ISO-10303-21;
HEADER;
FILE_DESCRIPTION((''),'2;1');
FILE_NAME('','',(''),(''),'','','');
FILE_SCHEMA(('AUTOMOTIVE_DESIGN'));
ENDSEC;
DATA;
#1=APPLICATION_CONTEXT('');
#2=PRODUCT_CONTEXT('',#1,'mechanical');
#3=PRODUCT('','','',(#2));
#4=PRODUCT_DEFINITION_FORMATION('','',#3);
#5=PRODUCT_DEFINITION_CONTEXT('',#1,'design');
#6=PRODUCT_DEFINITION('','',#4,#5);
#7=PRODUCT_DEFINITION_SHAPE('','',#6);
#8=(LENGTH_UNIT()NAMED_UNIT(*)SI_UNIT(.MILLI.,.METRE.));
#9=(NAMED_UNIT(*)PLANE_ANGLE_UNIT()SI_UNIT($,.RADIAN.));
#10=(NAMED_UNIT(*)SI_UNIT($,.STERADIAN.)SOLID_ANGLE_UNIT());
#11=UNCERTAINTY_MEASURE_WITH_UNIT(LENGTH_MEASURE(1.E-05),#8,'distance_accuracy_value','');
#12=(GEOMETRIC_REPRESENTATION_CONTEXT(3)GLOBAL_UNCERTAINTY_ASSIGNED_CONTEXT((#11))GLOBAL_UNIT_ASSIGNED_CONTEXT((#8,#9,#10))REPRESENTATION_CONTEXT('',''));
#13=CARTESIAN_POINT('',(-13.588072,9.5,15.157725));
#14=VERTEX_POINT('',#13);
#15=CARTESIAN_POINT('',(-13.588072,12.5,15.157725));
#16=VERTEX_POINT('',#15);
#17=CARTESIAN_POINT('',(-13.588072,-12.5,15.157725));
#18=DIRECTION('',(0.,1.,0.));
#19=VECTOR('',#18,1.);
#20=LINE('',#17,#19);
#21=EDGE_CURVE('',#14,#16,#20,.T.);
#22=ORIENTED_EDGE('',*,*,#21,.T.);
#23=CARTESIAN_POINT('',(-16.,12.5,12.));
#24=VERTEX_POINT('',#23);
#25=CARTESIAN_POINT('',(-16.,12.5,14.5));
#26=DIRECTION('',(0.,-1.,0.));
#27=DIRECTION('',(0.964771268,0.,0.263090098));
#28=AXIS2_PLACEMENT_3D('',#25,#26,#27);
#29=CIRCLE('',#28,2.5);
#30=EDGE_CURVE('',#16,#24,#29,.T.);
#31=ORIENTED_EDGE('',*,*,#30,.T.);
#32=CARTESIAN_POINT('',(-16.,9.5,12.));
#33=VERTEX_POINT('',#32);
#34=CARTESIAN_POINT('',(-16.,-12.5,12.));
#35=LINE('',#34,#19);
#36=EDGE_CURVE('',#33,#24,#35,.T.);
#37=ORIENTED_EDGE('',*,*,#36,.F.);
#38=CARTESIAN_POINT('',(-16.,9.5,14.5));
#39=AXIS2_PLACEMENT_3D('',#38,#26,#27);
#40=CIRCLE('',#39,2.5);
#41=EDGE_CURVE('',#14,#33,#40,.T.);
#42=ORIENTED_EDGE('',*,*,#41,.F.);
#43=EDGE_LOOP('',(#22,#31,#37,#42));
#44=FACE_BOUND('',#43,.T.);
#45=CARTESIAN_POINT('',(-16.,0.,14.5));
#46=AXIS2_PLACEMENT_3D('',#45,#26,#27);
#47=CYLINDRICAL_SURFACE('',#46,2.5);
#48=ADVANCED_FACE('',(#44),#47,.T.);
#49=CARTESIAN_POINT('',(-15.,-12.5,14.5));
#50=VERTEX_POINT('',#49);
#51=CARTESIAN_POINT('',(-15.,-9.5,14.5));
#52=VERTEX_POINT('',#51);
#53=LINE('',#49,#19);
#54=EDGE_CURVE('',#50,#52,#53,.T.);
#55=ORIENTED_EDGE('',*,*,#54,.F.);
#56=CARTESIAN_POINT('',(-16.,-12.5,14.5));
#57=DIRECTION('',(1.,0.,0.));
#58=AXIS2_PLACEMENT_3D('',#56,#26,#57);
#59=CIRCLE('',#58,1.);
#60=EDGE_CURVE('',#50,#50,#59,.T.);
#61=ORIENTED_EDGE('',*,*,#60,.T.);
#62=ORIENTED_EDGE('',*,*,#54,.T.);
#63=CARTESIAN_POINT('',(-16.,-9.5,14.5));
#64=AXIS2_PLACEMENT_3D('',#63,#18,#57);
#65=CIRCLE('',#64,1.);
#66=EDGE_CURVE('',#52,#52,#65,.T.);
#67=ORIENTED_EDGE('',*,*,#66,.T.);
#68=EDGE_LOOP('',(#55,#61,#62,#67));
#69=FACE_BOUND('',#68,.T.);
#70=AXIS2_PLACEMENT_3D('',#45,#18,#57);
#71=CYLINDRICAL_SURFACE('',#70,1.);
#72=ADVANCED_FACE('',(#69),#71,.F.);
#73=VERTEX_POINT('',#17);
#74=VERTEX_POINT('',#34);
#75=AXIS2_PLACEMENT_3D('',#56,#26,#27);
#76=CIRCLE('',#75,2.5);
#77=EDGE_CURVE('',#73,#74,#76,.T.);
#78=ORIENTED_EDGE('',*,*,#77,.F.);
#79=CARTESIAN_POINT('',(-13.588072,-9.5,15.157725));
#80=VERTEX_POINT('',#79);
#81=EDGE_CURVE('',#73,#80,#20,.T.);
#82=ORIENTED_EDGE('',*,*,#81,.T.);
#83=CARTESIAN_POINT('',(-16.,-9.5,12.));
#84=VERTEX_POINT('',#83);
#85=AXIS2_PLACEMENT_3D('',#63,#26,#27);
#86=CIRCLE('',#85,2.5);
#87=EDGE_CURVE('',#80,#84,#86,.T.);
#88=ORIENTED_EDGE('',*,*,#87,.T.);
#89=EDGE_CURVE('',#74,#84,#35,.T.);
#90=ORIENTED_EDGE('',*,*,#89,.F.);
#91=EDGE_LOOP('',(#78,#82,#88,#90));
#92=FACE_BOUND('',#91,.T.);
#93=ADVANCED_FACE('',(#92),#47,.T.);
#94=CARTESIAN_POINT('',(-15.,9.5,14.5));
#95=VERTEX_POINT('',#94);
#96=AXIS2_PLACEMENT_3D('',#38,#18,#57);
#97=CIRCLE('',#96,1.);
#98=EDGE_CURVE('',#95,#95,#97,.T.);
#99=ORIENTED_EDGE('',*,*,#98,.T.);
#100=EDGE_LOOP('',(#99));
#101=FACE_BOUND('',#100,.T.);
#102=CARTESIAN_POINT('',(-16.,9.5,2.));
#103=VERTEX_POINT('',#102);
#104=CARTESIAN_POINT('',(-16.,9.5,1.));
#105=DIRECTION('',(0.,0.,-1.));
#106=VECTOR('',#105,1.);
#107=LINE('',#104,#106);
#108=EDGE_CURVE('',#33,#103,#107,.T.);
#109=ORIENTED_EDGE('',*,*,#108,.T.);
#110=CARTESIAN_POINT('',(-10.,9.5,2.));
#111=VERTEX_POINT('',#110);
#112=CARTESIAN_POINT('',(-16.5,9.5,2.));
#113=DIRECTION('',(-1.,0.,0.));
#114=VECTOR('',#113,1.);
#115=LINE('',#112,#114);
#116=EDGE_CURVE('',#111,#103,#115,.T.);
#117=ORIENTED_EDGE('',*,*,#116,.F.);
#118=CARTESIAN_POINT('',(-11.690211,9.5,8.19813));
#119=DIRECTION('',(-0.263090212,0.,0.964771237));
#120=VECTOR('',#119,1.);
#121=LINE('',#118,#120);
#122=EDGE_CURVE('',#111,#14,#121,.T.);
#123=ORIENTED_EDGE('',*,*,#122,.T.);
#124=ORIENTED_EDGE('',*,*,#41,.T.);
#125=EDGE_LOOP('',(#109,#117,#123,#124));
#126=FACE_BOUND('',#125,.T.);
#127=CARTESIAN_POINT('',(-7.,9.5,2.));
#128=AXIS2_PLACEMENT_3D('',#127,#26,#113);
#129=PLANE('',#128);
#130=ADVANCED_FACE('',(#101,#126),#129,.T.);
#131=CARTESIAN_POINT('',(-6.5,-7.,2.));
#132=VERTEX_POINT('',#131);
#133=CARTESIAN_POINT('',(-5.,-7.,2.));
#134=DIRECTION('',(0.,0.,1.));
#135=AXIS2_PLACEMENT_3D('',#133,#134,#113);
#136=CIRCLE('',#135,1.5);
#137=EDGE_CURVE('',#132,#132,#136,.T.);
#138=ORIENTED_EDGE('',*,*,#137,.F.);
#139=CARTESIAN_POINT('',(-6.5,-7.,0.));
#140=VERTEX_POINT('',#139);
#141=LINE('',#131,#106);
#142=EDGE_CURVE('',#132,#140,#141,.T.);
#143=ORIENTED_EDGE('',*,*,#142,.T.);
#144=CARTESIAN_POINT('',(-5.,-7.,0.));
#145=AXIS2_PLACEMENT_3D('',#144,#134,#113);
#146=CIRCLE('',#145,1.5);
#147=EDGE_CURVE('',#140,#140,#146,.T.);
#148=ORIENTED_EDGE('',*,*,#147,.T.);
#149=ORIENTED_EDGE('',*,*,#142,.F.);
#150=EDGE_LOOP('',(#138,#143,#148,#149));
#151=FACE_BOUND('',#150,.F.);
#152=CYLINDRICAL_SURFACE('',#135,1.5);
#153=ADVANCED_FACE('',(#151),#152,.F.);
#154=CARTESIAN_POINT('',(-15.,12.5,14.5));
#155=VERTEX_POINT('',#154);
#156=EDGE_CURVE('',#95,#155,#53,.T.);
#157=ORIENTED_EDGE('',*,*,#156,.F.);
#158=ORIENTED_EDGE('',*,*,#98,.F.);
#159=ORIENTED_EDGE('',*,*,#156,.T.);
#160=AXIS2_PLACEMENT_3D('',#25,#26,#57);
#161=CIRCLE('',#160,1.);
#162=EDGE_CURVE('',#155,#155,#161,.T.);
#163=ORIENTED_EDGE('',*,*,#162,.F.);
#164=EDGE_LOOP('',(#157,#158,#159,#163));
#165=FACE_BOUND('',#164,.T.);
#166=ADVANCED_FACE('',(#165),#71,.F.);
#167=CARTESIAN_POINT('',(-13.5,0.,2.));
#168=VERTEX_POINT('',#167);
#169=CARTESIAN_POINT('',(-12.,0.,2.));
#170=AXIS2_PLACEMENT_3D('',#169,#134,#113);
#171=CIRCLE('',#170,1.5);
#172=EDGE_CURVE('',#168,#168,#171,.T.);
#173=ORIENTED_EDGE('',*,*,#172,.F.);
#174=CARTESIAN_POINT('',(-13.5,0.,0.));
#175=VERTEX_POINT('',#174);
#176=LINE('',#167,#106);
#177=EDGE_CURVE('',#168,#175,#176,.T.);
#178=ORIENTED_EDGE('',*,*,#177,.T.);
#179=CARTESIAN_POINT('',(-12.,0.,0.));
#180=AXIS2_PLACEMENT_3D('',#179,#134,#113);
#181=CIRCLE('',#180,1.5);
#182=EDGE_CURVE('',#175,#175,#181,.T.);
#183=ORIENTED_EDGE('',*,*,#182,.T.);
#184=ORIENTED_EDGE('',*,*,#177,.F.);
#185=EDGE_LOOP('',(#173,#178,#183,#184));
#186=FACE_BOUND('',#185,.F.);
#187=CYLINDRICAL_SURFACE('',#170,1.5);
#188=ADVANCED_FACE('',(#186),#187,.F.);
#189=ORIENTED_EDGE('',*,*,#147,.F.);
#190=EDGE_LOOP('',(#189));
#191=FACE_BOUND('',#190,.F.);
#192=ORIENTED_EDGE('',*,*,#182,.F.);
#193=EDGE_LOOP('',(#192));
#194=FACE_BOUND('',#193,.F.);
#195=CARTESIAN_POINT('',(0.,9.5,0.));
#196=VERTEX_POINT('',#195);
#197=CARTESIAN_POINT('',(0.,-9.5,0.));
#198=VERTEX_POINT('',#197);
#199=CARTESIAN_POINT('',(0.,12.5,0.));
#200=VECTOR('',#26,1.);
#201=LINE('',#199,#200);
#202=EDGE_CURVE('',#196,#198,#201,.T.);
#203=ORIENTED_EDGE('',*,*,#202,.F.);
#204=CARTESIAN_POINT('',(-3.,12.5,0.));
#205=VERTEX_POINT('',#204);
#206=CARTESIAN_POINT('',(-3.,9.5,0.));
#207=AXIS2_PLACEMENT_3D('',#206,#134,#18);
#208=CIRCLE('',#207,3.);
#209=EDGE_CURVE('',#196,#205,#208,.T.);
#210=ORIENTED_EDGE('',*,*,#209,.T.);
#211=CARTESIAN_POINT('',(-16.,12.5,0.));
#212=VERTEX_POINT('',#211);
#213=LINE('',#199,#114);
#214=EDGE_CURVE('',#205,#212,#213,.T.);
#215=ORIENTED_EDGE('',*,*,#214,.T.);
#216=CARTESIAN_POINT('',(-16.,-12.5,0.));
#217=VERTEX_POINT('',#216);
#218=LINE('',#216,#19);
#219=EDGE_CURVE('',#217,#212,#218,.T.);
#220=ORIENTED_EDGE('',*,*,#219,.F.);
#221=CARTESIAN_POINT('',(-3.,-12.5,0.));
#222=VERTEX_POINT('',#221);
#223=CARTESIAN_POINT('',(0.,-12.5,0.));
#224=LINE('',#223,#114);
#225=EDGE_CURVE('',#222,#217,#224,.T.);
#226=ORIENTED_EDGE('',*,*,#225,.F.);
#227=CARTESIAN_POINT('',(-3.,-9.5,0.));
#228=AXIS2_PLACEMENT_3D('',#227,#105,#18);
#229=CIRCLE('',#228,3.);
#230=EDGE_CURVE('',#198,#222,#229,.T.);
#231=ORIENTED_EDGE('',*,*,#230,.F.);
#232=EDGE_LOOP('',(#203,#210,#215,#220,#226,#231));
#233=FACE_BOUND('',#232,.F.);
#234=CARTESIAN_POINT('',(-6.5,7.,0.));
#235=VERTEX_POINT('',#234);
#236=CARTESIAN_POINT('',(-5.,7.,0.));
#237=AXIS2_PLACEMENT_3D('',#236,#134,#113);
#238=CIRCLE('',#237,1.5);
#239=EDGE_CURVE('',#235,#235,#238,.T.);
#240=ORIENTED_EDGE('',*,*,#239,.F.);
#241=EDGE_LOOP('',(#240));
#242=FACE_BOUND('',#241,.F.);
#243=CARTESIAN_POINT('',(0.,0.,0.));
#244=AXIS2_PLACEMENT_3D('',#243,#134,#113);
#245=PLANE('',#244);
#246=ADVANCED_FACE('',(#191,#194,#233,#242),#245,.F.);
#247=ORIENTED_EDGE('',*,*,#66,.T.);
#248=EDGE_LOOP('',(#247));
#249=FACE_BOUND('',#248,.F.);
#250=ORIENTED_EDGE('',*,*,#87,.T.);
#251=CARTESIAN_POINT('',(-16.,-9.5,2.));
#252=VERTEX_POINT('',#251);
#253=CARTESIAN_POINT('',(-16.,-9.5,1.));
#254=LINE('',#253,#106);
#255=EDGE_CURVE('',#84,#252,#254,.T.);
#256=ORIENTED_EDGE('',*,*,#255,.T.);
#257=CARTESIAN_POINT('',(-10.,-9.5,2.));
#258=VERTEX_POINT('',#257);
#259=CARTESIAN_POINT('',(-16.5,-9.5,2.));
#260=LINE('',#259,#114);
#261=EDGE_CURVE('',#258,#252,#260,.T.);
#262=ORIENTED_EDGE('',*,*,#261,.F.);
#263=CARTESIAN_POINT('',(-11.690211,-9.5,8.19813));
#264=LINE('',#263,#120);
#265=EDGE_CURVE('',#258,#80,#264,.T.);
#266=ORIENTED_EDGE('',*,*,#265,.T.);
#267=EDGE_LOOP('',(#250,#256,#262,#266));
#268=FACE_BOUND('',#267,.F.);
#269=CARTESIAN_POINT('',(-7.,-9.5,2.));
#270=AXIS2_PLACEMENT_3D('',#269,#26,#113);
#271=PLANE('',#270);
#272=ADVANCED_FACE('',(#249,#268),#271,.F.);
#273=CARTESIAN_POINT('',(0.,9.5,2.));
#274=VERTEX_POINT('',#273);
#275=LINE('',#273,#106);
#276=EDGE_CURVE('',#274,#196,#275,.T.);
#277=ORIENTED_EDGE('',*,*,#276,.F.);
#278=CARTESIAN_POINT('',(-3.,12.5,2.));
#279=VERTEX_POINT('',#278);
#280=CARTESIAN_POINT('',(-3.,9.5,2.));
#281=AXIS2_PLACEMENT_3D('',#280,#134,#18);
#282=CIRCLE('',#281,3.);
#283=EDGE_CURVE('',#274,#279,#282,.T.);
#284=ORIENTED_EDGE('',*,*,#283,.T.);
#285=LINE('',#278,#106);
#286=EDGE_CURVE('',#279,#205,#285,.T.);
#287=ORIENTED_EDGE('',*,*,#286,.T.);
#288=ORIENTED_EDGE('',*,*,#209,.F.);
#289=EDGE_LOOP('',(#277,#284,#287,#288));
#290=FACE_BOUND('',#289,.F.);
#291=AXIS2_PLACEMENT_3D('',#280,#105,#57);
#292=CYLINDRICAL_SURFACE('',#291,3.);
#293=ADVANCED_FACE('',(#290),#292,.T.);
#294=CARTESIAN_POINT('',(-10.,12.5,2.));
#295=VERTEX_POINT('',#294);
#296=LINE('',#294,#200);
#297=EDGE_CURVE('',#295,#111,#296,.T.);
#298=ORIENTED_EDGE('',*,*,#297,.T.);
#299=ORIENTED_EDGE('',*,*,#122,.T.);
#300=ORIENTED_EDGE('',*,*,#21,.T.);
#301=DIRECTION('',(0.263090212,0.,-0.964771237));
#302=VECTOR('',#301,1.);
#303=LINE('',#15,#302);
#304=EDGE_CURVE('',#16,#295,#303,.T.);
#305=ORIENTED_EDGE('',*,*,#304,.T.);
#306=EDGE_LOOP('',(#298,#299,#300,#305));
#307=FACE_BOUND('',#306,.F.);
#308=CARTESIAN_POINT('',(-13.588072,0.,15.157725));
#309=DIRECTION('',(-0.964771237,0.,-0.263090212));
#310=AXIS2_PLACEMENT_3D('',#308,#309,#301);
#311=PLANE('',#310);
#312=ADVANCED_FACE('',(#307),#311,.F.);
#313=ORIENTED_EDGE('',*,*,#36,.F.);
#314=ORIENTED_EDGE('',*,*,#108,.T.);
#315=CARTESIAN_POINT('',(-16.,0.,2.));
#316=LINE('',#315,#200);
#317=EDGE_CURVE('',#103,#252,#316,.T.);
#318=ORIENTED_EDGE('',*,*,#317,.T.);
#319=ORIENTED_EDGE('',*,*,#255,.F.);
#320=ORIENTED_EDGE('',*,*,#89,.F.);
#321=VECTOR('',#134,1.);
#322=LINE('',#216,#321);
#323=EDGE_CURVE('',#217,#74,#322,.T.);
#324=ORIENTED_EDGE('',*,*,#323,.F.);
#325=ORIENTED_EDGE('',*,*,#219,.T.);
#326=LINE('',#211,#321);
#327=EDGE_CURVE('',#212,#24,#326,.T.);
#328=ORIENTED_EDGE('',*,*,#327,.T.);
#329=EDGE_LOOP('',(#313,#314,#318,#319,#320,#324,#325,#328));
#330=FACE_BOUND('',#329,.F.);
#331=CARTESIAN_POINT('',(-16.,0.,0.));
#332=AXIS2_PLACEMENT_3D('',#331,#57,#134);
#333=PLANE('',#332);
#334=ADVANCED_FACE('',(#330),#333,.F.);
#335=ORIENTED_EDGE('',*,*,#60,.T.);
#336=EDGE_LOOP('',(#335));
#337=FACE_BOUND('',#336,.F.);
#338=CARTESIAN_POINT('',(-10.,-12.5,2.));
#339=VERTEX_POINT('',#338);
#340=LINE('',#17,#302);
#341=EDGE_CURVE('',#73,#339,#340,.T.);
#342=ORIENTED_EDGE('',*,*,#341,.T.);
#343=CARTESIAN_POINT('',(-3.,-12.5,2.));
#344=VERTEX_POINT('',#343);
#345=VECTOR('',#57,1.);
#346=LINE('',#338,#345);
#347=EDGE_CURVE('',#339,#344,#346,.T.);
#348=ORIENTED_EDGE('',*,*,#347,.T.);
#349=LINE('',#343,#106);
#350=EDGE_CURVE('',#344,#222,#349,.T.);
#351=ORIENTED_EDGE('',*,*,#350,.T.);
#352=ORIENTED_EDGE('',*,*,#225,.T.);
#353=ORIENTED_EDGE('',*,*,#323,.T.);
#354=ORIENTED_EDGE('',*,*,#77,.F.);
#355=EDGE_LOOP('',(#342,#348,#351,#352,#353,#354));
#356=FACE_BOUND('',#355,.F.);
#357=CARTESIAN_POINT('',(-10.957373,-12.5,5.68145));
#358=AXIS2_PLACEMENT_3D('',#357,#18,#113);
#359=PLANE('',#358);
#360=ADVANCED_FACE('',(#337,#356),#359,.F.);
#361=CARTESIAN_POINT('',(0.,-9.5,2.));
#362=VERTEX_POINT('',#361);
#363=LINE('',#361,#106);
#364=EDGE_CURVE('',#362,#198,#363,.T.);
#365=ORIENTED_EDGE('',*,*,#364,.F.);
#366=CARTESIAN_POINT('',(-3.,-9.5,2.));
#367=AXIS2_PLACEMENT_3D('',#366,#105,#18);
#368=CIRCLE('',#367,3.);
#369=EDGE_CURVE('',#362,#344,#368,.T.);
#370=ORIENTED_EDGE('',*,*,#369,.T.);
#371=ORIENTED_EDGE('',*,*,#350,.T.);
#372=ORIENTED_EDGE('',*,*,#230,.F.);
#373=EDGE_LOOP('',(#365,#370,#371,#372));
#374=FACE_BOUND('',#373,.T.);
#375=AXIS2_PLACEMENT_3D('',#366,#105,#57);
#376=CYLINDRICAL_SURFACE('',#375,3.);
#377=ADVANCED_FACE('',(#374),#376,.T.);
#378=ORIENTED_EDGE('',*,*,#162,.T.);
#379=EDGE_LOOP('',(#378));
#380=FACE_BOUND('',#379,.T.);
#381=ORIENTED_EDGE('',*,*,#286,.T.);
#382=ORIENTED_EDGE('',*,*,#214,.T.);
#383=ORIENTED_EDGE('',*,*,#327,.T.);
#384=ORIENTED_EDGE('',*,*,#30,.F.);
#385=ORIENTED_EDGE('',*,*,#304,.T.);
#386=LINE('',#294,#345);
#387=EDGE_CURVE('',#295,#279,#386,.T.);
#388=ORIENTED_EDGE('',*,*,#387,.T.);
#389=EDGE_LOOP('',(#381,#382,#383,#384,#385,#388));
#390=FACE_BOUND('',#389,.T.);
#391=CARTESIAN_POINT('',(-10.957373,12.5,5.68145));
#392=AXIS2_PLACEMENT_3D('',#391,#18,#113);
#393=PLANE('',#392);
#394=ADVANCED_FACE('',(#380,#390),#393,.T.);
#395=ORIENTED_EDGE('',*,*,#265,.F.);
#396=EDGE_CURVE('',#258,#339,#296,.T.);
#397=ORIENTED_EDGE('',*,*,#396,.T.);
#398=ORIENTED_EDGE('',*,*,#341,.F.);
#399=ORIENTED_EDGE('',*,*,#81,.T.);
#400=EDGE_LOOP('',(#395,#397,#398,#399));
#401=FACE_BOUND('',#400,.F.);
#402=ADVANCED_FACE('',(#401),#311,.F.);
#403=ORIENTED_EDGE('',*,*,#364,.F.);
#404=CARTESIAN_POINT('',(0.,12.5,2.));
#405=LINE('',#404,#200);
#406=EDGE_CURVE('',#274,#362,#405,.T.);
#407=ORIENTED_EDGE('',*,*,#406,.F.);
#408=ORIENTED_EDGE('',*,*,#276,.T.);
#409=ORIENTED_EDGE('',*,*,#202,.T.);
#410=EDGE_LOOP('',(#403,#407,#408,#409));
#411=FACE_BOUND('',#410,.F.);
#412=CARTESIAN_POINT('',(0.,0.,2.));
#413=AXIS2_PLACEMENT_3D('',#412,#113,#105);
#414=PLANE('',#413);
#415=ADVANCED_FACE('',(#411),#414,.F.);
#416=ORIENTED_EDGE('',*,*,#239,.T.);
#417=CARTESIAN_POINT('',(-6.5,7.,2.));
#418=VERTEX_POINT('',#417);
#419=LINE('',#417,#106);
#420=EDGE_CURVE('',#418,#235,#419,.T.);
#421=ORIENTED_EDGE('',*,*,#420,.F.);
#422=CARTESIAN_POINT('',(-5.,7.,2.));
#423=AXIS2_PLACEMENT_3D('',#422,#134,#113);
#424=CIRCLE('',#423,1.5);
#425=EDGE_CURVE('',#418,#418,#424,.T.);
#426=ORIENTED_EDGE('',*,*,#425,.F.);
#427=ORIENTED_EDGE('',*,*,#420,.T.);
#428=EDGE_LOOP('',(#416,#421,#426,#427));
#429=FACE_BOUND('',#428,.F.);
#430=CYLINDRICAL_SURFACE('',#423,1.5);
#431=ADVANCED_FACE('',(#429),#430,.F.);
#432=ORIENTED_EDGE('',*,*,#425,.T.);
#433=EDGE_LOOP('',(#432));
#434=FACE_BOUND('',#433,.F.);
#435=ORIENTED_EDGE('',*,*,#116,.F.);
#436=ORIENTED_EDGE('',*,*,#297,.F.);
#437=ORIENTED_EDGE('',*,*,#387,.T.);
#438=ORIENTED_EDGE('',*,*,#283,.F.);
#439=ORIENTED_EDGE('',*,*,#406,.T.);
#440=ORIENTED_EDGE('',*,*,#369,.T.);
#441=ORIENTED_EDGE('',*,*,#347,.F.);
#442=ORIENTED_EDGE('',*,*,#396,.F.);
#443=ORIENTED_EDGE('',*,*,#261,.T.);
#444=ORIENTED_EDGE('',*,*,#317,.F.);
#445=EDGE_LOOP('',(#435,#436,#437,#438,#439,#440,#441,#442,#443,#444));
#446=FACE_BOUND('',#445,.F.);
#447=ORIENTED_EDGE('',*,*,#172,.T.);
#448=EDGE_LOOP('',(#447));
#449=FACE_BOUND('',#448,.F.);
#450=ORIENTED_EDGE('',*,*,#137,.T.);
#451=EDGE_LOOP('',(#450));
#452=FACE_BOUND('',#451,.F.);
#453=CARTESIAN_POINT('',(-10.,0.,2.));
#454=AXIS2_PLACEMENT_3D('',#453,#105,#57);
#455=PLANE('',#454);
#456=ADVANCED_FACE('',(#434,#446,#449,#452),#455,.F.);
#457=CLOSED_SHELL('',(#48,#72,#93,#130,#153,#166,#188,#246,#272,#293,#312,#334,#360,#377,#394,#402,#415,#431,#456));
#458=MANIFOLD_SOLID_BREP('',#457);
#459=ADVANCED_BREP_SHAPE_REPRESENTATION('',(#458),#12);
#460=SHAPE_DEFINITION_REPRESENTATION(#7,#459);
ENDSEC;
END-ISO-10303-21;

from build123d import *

# Parameters (mm, degrees)
SKETCH_R    = 1
PAD_DEPTH   = 12.5
BOX_W       = 19
BOX_H       = 19
BOX_DEPTH   = 19
SKETCH001_R = 1.5
HOLE_DEPTH  = 2.001
FILLET_R    = 3


with BuildPart() as part:
    # Sketch → Pad (new body, symmetric)
    with BuildSketch(Plane.XZ):
        with BuildLine():
            Line((0, 0), (-16, 0))
            Line((-16, 0), (-16, 12))
            ThreePointArc((-13.588072, 15.157725), (-17.986745, 16.017512), (-16, 12))
            Line((-13.588072, 15.157725), (-10, 2))
            Line((-10, 2), (0, 2))
            Line((0, 2), (0, 0))
        make_face()
        with Locations((-16, 14.5)):
            Circle(SKETCH_R, mode=Mode.SUBTRACT)
    extrude(amount=PAD_DEPTH, both=True)

    # Box → Box (cut)
    with BuildSketch(Plane(origin=(-7, 9.5, 2), x_dir=(-1, 0, 0), z_dir=(0, 0, 1))):
        with Locations((9.5, 9.5)):
            Rectangle(BOX_W, BOX_H)
    extrude(amount=BOX_DEPTH, mode=Mode.SUBTRACT)

    # Sketch001 (on Face14 of Box) → Hole (cut, through all)
    with BuildSketch(Plane(origin=(-7, 9.5, 2), x_dir=(-1, 0, 0), z_dir=(0, 0, 1))):
        with Locations((5, 9.5)):
            Circle(SKETCH001_R)
        with Locations((-2, 16.5)):
            Circle(SKETCH001_R)
        with Locations((-2, 2.5)):
            Circle(SKETCH001_R)
    extrude(amount=-HOLE_DEPTH, mode=Mode.SUBTRACT)

    # Fillet
    fillet_edges = [part.edges().sort_by_distance(p)[0] for p in [
        (0, 12.5, 1),
        (0, -12.5, 1),
    ]]
    fillet(fillet_edges, radius=FILLET_R)


solid = part.part
